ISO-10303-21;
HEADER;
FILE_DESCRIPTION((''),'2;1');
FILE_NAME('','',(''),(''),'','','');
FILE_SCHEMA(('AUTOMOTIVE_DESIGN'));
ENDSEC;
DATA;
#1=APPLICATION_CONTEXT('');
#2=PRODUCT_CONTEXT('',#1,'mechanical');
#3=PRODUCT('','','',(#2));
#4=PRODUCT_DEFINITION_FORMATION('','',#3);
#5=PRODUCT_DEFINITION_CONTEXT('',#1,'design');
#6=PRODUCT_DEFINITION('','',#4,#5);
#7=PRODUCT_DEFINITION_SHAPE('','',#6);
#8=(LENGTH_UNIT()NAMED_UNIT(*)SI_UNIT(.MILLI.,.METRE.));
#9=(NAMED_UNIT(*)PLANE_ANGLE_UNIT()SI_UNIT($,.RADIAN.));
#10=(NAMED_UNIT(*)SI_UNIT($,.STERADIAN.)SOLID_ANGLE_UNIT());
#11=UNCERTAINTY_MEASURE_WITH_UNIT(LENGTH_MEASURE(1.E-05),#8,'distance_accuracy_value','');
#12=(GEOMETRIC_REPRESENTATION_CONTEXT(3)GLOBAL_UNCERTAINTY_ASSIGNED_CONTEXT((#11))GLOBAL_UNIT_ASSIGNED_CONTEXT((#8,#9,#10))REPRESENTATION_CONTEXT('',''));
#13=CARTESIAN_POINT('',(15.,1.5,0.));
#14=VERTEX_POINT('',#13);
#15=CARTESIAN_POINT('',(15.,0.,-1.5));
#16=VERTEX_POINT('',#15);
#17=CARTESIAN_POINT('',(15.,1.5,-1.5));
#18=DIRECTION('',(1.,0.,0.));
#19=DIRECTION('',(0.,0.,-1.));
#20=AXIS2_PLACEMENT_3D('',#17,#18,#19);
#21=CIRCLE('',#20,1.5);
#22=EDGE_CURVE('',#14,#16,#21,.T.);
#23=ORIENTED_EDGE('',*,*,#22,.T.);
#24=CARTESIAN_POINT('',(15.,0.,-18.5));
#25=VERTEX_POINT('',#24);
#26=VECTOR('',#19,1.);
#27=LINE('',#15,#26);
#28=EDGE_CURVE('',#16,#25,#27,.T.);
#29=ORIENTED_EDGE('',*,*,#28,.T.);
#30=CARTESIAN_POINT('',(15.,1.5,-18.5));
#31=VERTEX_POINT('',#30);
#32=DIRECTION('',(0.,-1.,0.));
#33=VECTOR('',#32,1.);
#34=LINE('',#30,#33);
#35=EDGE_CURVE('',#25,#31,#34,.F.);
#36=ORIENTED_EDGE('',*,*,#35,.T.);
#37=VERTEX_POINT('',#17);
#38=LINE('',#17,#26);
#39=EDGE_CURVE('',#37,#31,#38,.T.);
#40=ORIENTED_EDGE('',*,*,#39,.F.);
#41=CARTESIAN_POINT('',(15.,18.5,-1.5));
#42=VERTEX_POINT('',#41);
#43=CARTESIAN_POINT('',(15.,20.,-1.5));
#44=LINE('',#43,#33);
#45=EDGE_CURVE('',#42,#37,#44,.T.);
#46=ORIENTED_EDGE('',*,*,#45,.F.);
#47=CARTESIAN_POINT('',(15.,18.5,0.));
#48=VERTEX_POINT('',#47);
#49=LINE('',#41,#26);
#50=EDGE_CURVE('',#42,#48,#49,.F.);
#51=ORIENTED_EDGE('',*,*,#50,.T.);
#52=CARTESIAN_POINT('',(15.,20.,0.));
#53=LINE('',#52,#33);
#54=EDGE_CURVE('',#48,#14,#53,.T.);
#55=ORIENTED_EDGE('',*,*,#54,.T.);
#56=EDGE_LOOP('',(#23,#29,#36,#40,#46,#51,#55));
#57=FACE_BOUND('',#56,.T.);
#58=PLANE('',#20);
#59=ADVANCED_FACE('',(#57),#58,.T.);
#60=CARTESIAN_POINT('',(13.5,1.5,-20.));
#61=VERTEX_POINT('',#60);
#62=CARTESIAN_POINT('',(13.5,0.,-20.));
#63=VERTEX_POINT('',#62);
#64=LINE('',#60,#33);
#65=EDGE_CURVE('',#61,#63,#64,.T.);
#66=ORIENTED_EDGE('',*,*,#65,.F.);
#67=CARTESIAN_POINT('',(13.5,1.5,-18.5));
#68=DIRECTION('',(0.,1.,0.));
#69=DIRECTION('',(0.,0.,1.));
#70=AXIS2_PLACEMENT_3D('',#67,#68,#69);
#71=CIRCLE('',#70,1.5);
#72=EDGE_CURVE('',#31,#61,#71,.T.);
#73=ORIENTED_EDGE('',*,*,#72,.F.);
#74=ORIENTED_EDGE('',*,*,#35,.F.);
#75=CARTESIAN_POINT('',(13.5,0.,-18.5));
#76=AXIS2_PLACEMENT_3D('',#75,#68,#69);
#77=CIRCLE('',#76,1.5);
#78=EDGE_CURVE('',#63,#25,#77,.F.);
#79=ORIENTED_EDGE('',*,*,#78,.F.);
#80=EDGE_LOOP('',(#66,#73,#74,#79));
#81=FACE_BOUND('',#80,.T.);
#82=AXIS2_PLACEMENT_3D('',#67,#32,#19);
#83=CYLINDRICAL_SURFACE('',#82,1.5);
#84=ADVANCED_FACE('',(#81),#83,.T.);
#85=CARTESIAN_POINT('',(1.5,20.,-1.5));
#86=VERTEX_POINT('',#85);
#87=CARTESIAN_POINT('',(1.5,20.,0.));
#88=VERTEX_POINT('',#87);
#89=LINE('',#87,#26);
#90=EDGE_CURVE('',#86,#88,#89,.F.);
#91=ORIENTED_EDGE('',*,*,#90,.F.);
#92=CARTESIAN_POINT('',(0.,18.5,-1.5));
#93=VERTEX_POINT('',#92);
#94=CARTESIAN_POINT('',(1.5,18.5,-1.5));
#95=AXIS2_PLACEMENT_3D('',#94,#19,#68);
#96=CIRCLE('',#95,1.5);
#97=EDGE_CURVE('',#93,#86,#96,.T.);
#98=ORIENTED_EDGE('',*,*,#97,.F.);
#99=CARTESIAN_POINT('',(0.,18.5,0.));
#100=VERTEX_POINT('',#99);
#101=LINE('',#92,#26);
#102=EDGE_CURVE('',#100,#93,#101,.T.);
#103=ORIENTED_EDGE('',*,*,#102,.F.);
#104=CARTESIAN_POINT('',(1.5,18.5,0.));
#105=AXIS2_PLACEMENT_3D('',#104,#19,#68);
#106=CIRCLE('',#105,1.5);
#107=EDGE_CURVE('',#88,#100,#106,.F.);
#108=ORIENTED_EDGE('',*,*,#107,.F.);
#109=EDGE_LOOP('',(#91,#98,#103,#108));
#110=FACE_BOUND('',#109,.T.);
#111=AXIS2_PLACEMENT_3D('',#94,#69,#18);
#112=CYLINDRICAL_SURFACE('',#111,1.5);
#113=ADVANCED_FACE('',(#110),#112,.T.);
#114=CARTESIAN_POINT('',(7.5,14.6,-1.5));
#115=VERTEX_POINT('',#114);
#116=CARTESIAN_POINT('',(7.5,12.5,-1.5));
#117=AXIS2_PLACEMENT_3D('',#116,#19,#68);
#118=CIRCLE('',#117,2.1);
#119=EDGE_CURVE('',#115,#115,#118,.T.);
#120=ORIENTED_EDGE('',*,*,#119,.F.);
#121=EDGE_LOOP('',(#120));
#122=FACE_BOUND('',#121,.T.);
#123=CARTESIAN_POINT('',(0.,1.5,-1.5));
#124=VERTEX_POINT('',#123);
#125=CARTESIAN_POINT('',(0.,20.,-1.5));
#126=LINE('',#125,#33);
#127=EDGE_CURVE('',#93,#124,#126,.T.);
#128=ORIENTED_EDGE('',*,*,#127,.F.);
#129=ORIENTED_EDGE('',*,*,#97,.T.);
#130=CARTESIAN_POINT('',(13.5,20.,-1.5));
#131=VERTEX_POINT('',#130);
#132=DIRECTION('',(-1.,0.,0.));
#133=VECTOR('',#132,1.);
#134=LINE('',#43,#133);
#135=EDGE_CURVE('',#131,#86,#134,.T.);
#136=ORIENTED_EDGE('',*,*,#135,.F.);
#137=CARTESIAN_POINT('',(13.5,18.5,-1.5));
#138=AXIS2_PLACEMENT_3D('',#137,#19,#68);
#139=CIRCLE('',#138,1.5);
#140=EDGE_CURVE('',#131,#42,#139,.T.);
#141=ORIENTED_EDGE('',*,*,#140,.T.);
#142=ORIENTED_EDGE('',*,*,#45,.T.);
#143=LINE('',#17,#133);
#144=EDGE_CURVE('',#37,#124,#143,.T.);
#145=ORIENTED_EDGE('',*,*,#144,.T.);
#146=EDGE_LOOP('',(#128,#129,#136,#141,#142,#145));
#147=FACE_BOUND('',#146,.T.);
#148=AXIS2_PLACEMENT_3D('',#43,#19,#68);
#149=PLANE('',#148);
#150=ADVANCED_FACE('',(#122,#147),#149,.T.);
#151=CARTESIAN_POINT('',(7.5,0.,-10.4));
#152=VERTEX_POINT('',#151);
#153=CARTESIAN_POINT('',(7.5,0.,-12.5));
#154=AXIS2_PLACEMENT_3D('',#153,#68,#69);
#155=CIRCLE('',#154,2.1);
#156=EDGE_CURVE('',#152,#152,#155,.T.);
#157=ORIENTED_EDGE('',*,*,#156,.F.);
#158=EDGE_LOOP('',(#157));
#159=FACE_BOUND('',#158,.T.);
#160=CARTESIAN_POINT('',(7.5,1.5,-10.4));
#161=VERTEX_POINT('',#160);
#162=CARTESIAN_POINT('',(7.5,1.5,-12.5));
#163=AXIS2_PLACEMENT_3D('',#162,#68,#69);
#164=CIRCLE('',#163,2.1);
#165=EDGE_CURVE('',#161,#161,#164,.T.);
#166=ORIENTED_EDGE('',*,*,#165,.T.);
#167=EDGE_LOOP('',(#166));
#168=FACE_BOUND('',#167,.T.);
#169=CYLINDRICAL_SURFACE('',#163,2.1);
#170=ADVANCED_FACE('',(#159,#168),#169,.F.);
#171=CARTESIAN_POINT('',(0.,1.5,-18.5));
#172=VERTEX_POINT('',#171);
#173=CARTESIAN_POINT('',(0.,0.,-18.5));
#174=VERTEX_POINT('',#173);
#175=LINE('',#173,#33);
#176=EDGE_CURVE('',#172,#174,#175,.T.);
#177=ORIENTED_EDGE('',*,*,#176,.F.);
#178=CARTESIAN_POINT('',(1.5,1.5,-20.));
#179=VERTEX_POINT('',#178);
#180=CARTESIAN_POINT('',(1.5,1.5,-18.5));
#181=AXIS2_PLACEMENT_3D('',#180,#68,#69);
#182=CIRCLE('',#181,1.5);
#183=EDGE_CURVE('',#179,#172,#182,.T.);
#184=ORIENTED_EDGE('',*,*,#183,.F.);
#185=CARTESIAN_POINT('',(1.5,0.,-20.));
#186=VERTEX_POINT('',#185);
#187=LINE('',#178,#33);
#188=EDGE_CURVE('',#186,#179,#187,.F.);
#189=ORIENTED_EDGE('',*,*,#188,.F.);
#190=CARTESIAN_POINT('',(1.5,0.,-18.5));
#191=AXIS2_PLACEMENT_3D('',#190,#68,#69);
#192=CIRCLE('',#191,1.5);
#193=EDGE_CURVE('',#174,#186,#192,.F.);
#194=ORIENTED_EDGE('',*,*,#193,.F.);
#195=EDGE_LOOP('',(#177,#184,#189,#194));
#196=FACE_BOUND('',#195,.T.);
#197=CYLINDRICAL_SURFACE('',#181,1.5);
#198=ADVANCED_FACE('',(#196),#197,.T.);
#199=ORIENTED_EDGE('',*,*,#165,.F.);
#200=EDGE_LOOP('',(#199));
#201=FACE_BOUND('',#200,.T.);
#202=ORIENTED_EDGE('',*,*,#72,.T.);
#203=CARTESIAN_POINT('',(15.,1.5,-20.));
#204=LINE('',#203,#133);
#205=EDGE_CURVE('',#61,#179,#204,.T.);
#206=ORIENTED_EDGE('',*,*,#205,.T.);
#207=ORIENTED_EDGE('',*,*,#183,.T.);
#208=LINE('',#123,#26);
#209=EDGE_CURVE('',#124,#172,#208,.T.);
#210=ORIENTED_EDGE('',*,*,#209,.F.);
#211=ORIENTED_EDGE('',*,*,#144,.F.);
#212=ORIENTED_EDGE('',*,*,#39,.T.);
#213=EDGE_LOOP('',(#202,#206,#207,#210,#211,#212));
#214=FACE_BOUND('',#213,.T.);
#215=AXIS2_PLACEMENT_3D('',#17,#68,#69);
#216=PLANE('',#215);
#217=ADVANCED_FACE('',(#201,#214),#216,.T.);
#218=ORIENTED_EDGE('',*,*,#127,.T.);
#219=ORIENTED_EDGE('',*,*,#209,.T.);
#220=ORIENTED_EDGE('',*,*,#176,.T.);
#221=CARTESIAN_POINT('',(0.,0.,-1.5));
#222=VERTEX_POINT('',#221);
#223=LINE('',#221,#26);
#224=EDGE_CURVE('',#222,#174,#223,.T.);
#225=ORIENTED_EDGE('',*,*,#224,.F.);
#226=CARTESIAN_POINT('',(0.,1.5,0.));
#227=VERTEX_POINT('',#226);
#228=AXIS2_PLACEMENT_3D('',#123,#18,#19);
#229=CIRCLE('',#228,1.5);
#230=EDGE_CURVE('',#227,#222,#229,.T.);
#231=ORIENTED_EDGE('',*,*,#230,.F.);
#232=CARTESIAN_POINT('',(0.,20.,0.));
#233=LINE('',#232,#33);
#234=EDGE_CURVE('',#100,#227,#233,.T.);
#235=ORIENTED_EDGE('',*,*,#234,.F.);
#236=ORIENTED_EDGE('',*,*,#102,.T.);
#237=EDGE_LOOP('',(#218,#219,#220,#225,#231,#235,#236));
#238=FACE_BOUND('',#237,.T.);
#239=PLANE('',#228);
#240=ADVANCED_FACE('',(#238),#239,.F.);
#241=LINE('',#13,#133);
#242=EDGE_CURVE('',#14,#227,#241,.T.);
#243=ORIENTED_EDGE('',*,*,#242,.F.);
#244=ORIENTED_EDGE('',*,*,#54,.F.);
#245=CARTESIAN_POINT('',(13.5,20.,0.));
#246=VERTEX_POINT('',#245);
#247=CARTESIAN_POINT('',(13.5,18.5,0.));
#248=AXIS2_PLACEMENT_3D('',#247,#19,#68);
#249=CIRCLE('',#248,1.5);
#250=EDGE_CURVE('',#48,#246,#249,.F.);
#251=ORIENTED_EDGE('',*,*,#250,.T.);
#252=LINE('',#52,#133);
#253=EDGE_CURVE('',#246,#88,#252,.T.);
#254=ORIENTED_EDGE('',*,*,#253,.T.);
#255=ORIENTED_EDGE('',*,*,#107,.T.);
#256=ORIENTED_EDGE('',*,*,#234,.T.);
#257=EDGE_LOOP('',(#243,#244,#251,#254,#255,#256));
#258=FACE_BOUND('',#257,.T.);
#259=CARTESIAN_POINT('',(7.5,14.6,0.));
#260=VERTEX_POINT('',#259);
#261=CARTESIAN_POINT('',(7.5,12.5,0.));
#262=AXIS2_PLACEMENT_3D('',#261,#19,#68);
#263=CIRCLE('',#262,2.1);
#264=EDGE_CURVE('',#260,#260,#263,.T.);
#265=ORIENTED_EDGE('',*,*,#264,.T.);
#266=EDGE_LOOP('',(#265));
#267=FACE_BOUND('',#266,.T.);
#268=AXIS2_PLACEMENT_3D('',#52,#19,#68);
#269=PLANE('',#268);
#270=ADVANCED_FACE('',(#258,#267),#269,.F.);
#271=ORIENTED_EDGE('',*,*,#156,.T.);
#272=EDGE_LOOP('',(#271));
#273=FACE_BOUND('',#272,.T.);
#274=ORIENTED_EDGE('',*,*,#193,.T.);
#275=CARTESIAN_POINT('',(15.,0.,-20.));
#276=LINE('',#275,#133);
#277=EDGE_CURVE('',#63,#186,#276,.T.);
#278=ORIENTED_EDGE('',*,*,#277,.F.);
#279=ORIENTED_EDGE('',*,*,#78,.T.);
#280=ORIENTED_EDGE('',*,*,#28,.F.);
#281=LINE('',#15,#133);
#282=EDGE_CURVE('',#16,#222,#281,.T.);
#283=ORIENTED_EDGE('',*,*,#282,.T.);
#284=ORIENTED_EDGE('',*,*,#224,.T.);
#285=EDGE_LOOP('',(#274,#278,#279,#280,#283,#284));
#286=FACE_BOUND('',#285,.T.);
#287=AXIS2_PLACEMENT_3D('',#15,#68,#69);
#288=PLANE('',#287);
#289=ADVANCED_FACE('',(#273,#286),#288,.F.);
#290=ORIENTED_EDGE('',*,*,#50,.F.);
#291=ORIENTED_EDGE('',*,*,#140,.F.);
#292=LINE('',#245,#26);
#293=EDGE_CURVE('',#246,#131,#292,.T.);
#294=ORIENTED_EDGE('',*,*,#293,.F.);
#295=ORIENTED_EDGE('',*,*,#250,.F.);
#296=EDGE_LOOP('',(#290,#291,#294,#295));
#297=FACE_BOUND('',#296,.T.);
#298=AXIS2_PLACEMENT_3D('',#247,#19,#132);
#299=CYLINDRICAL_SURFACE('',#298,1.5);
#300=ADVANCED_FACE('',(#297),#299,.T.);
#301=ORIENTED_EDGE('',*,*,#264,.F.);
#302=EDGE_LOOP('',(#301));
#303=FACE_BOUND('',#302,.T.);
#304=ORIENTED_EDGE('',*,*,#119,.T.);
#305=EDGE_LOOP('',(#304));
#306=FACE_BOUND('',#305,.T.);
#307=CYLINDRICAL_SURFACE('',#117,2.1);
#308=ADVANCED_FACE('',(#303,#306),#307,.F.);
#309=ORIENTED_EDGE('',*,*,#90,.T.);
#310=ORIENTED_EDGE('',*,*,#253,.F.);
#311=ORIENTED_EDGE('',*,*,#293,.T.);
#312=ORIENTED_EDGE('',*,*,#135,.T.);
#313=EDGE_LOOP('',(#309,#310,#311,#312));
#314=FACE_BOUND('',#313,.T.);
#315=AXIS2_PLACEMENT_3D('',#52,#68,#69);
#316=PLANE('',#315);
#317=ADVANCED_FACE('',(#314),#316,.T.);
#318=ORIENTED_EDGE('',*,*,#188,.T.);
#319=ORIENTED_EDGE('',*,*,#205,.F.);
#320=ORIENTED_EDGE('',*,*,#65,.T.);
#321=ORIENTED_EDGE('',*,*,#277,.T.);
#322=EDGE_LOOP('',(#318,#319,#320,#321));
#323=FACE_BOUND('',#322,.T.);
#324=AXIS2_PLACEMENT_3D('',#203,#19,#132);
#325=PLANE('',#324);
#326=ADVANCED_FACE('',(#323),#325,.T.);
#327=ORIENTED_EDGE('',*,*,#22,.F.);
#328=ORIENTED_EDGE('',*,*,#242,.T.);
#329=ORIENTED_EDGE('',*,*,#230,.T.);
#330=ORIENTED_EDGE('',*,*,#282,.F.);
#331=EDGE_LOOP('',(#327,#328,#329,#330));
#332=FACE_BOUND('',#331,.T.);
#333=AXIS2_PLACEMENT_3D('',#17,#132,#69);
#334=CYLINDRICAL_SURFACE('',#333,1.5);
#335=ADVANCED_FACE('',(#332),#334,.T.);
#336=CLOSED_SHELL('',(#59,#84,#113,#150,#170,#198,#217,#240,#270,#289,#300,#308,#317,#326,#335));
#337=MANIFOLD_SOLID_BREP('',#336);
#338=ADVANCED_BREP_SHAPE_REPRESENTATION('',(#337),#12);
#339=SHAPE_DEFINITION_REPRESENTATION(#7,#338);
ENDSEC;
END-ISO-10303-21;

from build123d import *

# Parameters (mm, degrees)
EXTRUDE_THIN1_DEPTH        = 15
F_4_2_4_2_DIAMETER_HOLE1_D = 4.2
F_4_2_4_2_DIAMETER_HOLE2_D = 4.2
FILLET1_R                  = 1.5


with BuildPart() as part:
    # Sketch1 → Extrude-Thin1 (new body)
    with BuildSketch(Plane(origin=(0, 0, 0), x_dir=(0, 0, -1), z_dir=(1, 0, 0))):
        with BuildLine():
            Line((0, 20), (0, 1.5))
            ThreePointArc((0, 1.5), (0.439339828, 0.439339828), (1.5, 0))
            Line((1.5, 0), (20, 0))
            Line((20, 0), (20, 1.5))
            Line((20, 1.5), (1.5, 1.5))
            Line((1.5, 1.5), (1.5, 20))
            Line((1.5, 20), (0, 20))
        make_face()
    extrude(amount=EXTRUDE_THIN1_DEPTH)

    # Ø4.2 (4.2) Diameter Hole1 (through all)
    with Locations(Plane(origin=(0, 1.5, 0), x_dir=(1, 0, 0), z_dir=(0, 1, 0))):
        with Locations((7.5, 12.5)):
            Hole(F_4_2_4_2_DIAMETER_HOLE1_D / 2)

    # Ø4.2 (4.2) Diameter Hole2 (through all)
    with Locations(Plane(origin=(0, 0, -1.5), x_dir=(-1, 0, 0), z_dir=(0, 0, -1))):
        with Locations((-7.5, 12.5)):
            Hole(F_4_2_4_2_DIAMETER_HOLE2_D / 2)

    # Fillet1
    fillet1_edges = [part.edges().sort_by_distance(p)[0] for p in [
        (15, 20, -0.75),
        (0, 20, -0.75),
        (15, 0.75, -20),
        (0, 0.75, -20),
    ]]
    fillet(fillet1_edges, radius=FILLET1_R)


solid = part.part
